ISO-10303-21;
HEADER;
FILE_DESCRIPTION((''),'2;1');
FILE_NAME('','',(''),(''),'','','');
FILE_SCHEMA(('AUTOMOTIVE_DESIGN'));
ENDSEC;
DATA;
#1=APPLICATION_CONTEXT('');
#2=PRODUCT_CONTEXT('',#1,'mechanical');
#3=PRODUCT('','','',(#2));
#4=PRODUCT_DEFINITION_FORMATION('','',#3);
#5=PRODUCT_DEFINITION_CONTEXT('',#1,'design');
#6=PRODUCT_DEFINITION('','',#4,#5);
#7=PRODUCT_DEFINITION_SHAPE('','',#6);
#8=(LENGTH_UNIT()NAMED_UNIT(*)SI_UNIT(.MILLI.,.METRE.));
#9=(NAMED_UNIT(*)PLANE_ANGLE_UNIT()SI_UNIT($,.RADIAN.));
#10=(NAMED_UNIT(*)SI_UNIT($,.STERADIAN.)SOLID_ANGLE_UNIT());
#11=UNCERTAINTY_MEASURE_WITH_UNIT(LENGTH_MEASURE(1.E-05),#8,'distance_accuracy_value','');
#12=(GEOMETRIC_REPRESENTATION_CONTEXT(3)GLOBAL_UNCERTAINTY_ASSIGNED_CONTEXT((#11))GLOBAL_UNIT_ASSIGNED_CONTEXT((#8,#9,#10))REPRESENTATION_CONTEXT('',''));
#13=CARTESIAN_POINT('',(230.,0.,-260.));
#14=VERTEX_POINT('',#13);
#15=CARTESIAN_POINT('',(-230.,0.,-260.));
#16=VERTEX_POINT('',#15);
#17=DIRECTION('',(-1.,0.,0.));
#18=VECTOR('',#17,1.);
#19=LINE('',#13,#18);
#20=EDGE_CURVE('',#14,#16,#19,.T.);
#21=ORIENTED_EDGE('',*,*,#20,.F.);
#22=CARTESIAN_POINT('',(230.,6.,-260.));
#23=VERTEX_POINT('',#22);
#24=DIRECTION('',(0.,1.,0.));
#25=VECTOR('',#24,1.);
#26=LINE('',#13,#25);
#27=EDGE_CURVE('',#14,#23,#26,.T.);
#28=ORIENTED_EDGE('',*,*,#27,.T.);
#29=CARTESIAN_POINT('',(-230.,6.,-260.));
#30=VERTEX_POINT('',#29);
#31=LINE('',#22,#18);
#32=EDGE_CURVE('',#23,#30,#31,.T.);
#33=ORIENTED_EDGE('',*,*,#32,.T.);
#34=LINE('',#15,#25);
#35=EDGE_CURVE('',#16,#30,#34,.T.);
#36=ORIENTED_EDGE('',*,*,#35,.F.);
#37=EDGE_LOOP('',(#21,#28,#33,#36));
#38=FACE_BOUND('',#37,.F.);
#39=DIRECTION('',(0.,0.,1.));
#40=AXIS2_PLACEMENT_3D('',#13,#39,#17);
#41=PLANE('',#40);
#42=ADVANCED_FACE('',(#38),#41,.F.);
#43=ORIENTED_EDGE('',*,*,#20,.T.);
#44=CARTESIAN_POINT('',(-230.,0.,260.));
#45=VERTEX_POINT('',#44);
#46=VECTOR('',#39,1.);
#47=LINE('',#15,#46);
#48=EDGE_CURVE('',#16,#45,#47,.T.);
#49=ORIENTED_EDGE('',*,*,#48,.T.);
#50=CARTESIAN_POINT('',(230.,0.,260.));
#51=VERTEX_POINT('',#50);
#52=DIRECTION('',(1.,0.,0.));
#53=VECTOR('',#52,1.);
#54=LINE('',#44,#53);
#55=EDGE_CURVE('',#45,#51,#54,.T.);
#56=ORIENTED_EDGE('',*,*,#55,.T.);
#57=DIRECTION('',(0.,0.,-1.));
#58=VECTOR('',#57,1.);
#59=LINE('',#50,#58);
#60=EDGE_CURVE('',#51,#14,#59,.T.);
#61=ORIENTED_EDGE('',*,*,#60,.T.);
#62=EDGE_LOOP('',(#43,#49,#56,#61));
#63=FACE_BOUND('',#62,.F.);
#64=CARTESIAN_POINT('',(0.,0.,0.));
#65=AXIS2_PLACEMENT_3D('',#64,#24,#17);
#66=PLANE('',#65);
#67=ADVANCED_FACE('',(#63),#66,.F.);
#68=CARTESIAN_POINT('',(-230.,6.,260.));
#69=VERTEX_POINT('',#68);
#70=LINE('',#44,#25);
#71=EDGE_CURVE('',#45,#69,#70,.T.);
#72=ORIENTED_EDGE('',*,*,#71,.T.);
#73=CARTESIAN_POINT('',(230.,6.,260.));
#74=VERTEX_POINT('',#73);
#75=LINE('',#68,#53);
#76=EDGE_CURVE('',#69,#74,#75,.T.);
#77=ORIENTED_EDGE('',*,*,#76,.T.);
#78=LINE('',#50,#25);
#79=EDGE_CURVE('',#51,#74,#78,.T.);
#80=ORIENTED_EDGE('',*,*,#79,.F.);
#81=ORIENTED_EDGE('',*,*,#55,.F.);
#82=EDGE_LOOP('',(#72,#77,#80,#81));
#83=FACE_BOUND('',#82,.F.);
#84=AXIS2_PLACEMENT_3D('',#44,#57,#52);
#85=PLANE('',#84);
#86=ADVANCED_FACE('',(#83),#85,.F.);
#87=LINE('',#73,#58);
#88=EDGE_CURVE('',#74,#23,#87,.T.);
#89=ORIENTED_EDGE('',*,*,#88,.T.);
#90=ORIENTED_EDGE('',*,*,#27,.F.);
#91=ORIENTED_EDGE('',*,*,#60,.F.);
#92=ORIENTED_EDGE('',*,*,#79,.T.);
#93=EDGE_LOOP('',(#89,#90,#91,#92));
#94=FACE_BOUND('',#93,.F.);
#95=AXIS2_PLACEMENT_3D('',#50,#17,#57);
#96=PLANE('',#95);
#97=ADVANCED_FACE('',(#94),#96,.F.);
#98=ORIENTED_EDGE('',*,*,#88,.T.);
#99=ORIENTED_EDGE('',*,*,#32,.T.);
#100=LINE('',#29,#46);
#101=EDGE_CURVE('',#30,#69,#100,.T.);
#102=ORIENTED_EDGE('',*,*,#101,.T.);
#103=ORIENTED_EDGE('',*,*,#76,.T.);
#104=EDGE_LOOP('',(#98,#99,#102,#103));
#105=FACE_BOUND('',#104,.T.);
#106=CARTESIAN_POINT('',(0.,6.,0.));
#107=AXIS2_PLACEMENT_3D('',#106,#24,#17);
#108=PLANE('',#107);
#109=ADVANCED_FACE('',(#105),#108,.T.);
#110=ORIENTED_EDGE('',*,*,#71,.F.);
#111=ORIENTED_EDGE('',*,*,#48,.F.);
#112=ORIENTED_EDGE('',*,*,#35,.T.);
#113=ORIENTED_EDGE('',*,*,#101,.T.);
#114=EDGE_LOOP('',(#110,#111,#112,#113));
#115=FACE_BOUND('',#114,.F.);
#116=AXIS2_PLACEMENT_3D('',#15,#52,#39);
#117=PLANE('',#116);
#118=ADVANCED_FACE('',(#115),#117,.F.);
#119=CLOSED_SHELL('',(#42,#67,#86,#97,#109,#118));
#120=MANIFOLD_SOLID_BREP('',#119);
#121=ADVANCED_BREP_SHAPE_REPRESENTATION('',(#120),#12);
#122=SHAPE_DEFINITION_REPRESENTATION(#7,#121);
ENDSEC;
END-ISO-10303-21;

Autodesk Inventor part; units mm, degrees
ref_plane "YZ Plane" through (0, 0, 0) normal (1, 0, 0) x (0, 1, 0)
ref_plane "XZ Plane" through (0, 0, 0) normal (0, 1, 0) x (-1, 0, 0)
ref_plane "XY Plane" through (0, 0, 0) normal (0, 0, 1) x (1, 0, 0)
sketch "Sketch1" plane through (0, 0, 0) normal (0, 1, 0) x (-1, 0, 0)
  line L0 (-230, -260) -> (230, -260)
  line L1 (230, -260) -> (230, 260)
  line L2 (230, 260) -> (-230, 260)
  line L3 (-230, 260) -> (-230, -260)
  line L4 (-230, -260) -> (230, 260) construction
  line L5 (230, -260) -> (-230, 260) construction
  point P0 (0, 0)
  dimension "d2" = 520
  dimension "d3" = 460
extrude "Extrusion1" add sketch "Sketch1" along normal blind 6
equation "\"d3\" = HorizontalExtrusion"
equation "\"HorizontalExtrusion\" = 460"
equation "\"RodDiameter\" = 8"
equation "\"VerticalBearingOD\" = 16"
equation "\"PrintingClearance\" = 0.2"
equation "\"TubeID\" = 18"
properties part number "BackPlate"
